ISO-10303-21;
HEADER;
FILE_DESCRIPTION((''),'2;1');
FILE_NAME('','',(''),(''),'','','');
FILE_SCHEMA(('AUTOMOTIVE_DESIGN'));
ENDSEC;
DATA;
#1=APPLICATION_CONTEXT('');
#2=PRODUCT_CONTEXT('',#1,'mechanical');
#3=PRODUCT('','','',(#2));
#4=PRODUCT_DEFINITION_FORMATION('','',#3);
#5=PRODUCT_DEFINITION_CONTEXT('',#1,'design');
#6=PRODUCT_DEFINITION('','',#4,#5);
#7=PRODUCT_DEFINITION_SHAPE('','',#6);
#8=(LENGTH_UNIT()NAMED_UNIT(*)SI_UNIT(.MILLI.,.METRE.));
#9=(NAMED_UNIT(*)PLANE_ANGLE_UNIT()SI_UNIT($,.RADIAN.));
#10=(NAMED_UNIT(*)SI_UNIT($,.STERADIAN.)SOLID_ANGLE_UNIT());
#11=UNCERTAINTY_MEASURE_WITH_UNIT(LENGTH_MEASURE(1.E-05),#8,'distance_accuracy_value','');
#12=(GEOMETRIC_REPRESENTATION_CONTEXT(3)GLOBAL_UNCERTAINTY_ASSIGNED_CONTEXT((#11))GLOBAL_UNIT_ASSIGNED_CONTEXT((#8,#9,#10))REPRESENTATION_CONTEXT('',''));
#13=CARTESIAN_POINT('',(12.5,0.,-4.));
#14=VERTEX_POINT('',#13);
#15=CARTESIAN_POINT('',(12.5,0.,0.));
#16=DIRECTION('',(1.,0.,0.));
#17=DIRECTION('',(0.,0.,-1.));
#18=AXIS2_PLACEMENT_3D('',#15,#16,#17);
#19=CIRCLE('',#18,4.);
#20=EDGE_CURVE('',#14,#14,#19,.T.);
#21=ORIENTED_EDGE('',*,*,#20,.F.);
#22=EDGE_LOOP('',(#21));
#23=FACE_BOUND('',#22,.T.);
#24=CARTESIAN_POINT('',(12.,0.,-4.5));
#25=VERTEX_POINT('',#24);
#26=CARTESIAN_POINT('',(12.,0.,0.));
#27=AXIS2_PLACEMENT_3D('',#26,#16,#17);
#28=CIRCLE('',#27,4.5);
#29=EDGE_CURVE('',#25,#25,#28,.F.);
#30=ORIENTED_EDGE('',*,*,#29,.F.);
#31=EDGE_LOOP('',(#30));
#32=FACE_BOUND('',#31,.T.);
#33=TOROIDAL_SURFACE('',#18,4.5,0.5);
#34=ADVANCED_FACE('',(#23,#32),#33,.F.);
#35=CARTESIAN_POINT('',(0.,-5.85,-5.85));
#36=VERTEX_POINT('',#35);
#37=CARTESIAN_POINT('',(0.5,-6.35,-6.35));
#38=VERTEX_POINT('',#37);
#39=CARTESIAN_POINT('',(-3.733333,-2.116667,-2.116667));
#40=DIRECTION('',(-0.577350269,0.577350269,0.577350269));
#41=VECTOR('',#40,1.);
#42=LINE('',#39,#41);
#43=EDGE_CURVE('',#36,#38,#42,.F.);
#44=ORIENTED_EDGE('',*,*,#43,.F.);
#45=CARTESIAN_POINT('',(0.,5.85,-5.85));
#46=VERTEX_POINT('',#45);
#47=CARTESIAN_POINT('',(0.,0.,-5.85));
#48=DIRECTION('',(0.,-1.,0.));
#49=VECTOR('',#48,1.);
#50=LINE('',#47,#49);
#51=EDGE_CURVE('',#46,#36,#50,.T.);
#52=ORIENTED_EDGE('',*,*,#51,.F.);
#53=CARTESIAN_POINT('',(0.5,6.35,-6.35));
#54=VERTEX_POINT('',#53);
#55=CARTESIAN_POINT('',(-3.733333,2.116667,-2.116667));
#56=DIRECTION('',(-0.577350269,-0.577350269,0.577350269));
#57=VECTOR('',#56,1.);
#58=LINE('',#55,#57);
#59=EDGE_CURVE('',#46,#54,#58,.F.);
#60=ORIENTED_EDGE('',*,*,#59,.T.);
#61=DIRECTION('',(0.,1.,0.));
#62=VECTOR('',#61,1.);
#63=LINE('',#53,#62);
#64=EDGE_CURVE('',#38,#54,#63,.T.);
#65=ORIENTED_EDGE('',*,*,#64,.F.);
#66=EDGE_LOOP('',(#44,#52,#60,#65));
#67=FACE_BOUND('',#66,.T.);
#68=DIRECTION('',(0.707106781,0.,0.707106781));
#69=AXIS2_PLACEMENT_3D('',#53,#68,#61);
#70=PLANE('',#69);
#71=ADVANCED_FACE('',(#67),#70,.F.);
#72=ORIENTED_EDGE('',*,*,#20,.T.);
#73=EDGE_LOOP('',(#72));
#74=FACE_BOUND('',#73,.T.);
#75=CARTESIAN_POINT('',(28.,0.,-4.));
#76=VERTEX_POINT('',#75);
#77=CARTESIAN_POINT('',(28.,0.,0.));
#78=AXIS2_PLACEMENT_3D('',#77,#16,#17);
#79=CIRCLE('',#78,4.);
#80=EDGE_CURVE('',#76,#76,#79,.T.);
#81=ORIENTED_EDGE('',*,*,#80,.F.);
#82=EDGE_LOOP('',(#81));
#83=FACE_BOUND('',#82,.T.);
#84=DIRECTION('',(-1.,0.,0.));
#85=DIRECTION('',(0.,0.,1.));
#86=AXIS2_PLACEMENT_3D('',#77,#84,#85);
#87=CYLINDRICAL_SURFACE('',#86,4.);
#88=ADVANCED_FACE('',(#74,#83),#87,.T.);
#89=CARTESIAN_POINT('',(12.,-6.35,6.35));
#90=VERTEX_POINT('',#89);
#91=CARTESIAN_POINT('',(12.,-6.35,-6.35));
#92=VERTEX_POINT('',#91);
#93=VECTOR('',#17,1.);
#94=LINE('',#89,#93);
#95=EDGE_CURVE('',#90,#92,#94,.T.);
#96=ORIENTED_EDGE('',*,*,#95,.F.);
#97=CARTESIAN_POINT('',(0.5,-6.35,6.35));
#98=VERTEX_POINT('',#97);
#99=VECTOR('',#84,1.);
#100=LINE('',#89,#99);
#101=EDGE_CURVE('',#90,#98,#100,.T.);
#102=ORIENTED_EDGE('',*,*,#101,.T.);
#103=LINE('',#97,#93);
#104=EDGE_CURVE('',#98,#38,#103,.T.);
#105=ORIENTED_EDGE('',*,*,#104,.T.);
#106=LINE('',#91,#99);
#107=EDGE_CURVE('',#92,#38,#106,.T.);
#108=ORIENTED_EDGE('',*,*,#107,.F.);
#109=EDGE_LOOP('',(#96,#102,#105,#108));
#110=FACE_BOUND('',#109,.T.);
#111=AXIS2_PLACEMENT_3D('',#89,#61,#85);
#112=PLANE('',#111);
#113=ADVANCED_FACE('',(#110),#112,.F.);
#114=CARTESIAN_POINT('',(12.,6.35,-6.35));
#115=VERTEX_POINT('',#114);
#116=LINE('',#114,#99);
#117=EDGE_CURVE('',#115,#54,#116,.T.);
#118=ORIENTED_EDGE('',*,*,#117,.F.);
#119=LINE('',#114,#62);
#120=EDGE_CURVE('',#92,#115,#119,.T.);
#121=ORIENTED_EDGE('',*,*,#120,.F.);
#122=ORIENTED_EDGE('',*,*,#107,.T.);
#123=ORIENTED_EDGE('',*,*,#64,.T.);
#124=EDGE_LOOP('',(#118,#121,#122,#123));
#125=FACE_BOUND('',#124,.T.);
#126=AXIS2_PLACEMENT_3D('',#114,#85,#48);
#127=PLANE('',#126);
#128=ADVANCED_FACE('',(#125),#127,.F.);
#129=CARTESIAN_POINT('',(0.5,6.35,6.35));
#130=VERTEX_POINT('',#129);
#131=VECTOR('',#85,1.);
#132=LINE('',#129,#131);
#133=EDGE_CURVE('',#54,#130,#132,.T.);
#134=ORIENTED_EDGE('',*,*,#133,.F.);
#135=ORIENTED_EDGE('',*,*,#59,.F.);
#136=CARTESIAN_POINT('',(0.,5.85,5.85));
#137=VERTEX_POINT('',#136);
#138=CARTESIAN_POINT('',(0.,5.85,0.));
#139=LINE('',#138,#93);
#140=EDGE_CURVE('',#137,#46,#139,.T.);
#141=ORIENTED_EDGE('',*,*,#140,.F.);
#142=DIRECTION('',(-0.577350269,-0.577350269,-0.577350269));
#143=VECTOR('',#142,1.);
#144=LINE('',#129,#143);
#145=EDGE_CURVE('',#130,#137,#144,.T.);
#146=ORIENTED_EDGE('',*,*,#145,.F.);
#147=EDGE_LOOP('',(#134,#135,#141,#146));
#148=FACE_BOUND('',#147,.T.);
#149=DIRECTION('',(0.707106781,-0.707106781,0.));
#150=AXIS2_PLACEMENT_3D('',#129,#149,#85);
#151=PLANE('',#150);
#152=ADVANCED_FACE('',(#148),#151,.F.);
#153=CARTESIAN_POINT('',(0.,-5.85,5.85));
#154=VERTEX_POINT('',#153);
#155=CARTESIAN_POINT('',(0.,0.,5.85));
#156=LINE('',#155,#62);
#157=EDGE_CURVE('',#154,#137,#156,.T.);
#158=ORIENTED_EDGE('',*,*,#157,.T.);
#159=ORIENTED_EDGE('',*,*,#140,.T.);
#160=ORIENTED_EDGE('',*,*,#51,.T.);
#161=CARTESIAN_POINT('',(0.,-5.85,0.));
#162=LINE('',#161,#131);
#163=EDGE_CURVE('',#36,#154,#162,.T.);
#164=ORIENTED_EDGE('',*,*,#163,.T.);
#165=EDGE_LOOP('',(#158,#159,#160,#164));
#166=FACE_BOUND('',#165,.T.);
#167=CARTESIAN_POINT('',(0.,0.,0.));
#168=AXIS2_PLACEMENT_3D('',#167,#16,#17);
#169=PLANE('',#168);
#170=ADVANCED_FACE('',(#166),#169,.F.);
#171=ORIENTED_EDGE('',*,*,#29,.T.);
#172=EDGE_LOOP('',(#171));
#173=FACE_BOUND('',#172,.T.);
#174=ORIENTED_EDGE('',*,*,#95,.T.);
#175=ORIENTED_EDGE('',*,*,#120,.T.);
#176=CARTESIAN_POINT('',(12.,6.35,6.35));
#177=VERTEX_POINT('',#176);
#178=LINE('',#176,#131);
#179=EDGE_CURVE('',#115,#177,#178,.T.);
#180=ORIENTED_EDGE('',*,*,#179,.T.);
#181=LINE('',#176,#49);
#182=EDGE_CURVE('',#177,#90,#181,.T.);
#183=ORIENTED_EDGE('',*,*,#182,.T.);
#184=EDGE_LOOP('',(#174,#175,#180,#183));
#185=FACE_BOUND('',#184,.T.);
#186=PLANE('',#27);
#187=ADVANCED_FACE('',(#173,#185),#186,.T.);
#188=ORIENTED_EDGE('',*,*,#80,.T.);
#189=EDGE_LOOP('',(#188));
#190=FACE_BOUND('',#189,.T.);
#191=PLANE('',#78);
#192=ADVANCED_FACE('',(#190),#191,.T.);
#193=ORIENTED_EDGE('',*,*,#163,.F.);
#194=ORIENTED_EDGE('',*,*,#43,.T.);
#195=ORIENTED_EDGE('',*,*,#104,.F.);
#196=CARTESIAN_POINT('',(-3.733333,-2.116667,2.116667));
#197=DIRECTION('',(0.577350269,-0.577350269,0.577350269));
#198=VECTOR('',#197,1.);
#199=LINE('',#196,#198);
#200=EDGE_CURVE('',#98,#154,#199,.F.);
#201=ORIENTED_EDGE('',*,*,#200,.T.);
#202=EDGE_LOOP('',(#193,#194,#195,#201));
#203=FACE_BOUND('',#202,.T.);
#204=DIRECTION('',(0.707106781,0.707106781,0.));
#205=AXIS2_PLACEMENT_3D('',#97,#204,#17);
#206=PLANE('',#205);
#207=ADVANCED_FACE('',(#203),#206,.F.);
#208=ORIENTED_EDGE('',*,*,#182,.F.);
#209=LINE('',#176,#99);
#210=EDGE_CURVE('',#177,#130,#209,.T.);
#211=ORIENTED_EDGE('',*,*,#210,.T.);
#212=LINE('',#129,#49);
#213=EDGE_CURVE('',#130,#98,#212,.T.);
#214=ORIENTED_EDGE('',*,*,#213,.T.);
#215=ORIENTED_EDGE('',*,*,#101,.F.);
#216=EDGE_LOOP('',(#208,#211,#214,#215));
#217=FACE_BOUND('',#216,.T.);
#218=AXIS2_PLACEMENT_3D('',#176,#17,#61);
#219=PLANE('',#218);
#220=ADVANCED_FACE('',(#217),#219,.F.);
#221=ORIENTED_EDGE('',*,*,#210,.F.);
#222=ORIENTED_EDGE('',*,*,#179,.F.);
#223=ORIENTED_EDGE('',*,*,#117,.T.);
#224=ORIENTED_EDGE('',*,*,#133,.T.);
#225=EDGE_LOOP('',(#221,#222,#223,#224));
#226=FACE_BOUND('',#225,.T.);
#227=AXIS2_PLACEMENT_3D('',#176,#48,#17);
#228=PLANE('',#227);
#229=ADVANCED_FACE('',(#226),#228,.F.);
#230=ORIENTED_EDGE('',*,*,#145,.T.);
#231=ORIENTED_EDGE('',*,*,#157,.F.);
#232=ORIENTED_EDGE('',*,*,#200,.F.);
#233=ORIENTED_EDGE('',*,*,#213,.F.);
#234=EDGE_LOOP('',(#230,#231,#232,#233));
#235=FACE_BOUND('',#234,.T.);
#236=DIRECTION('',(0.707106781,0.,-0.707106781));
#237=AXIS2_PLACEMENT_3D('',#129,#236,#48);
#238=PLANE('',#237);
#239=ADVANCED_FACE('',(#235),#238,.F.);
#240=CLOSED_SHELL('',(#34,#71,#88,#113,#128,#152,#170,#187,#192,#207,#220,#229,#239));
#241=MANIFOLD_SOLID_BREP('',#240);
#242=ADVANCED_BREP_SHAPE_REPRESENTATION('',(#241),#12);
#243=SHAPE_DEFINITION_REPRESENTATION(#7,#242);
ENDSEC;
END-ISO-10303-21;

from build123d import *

# Parameters (mm, degrees)
SKETCH1_W           = 12.7
SKETCH1_H           = 12.7
BOSS_EXTRUDE1_DEPTH = 12
SKETCH2_R           = 4
BOSS_EXTRUDE2_DEPTH = 16
FILLET1_R           = 0.5
CHAMFER2_SIZE       = 0.5


with BuildPart() as part:
    # Sketch1 → Boss-Extrude1 (new body)
    with BuildSketch(Plane(origin=(0, 0, 0), x_dir=(0, 0, -1), z_dir=(1, 0, 0))):
        Rectangle(SKETCH1_W, SKETCH1_H)
    extrude(amount=BOSS_EXTRUDE1_DEPTH)

    # Sketch2 → Boss-Extrude2 (add)
    with BuildSketch(Plane(origin=(12, 0, 0), x_dir=(0, 0, -1), z_dir=(1, 0, 0))):
        Circle(SKETCH2_R)
    extrude(amount=BOSS_EXTRUDE2_DEPTH)

    # Fillet1
    fillet1_edges = [part.edges().sort_by_distance(p)[0] for p in [
        (12, 0, 4),
    ]]
    fillet(fillet1_edges, radius=FILLET1_R)

    # Chamfer2
    chamfer2_edges = [part.edges().sort_by_distance(p)[0] for p in [
        (0, 6.35, 0),
        (0, 0, -6.35),
        (0, -6.35, 0),
        (0, 0, 6.35),
    ]]
    chamfer(chamfer2_edges, length=CHAMFER2_SIZE)


solid = part.part
